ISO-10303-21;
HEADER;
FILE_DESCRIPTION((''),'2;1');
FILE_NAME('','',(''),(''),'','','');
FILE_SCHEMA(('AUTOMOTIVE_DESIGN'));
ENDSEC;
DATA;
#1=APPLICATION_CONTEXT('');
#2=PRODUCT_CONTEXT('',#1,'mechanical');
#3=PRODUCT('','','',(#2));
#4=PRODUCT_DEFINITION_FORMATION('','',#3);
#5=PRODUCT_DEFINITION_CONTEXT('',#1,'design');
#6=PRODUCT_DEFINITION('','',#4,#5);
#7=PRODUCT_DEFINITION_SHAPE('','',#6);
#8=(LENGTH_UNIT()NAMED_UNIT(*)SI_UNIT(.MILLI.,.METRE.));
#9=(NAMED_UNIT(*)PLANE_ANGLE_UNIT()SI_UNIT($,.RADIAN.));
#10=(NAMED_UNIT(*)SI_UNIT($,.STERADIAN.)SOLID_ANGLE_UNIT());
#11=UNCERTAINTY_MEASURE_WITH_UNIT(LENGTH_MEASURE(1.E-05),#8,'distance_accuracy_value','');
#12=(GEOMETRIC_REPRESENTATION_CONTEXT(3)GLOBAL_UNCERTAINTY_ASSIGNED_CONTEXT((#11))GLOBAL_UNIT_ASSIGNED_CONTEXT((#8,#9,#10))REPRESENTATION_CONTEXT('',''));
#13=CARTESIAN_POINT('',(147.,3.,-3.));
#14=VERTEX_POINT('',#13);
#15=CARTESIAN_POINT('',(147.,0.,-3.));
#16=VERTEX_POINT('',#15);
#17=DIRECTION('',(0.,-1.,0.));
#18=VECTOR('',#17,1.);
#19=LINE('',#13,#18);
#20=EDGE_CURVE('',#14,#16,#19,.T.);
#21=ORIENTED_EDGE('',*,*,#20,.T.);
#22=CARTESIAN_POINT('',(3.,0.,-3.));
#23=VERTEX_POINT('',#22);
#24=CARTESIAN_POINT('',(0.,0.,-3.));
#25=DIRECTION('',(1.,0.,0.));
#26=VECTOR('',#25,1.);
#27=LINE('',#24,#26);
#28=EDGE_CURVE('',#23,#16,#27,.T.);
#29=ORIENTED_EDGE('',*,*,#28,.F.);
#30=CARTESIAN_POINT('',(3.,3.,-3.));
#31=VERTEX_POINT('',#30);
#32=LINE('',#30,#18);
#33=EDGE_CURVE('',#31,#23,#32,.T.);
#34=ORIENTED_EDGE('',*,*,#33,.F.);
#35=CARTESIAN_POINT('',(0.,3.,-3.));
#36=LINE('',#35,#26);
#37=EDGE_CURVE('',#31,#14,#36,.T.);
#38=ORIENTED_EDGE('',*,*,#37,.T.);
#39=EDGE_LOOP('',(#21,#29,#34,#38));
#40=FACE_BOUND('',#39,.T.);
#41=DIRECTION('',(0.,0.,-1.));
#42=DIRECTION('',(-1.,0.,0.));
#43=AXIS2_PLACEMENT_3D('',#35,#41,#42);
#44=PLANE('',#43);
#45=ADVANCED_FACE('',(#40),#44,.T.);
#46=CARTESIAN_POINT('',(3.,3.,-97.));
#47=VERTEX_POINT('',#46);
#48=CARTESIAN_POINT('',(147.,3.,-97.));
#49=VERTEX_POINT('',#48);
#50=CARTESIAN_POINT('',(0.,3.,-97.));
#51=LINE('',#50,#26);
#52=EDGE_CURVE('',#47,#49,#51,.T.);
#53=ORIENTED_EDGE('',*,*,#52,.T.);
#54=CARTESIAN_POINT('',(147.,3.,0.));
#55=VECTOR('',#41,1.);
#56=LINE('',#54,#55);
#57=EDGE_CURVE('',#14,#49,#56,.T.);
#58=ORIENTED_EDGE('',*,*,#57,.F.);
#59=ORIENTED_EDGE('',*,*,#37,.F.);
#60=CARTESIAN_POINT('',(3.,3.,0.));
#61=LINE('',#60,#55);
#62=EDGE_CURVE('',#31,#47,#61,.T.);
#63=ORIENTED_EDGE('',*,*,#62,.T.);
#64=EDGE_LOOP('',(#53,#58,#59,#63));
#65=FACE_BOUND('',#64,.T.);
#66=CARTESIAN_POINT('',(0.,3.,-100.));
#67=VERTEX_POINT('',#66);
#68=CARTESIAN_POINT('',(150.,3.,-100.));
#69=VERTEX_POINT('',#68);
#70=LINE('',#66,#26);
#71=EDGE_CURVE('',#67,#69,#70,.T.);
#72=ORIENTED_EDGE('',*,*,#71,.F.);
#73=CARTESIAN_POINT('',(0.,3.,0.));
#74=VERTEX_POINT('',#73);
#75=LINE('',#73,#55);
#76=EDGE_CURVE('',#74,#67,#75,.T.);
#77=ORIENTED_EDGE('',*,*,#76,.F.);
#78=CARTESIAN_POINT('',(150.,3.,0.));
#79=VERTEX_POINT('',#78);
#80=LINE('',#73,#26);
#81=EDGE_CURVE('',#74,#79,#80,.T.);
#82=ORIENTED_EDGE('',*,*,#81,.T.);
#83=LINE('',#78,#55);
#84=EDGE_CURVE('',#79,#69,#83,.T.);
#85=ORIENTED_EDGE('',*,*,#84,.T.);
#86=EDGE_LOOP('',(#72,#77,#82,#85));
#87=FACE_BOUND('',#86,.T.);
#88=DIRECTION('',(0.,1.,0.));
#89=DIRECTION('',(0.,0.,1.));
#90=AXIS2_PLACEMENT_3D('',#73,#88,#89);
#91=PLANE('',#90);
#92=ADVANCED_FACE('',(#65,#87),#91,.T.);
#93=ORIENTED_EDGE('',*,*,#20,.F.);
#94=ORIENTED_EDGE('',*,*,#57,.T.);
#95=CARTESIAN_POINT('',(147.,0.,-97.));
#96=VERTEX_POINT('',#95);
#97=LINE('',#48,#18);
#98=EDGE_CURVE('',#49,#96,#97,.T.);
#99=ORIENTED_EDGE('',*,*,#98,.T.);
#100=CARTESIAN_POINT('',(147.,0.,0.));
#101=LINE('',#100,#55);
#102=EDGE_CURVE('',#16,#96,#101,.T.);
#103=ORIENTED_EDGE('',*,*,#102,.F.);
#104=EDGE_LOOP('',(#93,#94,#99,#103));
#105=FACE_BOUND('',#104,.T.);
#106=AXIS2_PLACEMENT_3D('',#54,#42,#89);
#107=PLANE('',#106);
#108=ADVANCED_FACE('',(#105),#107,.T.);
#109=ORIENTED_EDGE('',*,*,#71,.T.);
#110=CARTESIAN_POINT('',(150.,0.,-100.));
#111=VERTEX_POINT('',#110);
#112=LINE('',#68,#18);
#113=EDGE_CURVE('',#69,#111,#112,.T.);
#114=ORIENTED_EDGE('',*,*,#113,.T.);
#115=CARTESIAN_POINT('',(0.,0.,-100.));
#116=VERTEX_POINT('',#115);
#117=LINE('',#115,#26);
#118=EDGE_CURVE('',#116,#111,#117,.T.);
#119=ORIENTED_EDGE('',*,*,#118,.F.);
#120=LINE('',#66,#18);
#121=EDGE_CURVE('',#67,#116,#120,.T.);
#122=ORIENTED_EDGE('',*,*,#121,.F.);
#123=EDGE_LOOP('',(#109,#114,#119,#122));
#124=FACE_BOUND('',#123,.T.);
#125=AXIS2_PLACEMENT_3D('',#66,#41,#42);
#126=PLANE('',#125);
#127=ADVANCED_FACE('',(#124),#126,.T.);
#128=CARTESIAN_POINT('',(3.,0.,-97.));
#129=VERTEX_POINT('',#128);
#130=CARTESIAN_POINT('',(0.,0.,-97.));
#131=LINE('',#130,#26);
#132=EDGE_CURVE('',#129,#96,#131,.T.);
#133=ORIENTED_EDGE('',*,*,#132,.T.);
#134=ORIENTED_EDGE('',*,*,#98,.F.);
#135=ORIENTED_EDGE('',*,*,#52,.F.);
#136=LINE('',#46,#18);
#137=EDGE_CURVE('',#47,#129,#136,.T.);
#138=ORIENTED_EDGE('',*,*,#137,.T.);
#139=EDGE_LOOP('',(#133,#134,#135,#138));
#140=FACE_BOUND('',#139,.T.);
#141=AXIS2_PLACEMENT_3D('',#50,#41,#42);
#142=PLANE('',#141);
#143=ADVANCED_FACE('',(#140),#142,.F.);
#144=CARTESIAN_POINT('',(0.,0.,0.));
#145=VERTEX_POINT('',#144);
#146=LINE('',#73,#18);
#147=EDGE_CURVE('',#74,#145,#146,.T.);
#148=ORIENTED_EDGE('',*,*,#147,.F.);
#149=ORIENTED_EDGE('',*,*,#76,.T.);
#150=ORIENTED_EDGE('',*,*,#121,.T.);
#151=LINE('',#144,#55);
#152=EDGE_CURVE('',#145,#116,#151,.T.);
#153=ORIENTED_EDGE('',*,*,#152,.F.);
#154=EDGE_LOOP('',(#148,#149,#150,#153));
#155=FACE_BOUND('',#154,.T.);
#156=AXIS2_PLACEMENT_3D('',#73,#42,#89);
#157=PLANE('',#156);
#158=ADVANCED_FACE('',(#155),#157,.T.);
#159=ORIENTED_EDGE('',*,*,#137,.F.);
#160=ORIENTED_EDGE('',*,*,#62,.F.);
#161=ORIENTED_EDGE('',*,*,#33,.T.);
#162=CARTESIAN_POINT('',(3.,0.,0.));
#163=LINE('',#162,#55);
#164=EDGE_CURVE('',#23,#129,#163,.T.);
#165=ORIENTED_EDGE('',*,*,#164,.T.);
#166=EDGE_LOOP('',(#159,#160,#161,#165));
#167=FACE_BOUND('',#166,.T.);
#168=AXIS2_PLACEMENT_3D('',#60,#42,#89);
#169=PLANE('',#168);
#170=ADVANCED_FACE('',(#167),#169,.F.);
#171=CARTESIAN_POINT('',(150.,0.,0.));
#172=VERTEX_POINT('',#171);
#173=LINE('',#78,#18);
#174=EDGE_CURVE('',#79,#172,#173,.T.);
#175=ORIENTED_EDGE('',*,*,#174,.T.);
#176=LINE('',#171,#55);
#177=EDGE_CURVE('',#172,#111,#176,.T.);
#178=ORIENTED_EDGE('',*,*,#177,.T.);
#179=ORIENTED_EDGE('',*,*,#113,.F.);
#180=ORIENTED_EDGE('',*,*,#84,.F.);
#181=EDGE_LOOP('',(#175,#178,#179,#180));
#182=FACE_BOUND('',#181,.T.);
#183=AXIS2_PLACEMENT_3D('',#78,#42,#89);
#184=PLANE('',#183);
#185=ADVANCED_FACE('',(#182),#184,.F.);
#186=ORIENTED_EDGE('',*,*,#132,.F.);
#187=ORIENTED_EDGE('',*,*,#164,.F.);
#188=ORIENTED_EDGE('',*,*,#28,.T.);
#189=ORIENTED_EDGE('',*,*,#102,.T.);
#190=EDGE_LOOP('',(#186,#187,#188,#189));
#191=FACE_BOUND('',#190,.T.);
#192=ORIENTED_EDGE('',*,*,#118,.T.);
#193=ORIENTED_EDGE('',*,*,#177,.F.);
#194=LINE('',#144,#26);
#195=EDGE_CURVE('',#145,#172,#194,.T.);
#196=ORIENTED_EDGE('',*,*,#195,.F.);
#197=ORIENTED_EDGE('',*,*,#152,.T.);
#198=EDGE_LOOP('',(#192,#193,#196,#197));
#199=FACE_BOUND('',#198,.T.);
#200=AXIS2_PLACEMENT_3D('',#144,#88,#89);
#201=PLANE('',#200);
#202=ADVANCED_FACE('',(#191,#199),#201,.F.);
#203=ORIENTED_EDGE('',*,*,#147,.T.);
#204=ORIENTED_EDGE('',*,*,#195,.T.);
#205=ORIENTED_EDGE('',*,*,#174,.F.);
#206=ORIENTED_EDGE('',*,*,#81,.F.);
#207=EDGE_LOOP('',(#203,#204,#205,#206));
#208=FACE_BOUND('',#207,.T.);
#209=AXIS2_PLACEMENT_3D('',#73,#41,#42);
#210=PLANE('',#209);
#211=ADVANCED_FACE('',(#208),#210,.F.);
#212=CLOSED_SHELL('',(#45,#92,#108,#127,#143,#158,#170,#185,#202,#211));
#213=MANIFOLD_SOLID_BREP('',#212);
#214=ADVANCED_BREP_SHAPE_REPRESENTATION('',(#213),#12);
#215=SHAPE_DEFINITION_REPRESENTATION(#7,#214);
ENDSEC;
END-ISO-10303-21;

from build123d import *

# Parameters (mm, degrees)
SKETCH2_W           = 150
SKETCH2_H           = 100
SKETCH2_W_2         = 144
SKETCH2_H_2         = 94
BOSS_EXTRUDE1_DEPTH = 3


with BuildPart() as part:
    # Sketch2 → Boss-Extrude1 (new body)
    with BuildSketch(Plane(origin=(0, 0, 0), x_dir=(1, 0, 0), z_dir=(0, 1, 0))):
        with Locations((75, 50)):
            Rectangle(SKETCH2_W, SKETCH2_H)
        with Locations((75, 50)):
            Rectangle(SKETCH2_W_2, SKETCH2_H_2, mode=Mode.SUBTRACT)
    extrude(amount=BOSS_EXTRUDE1_DEPTH)


solid = part.part
